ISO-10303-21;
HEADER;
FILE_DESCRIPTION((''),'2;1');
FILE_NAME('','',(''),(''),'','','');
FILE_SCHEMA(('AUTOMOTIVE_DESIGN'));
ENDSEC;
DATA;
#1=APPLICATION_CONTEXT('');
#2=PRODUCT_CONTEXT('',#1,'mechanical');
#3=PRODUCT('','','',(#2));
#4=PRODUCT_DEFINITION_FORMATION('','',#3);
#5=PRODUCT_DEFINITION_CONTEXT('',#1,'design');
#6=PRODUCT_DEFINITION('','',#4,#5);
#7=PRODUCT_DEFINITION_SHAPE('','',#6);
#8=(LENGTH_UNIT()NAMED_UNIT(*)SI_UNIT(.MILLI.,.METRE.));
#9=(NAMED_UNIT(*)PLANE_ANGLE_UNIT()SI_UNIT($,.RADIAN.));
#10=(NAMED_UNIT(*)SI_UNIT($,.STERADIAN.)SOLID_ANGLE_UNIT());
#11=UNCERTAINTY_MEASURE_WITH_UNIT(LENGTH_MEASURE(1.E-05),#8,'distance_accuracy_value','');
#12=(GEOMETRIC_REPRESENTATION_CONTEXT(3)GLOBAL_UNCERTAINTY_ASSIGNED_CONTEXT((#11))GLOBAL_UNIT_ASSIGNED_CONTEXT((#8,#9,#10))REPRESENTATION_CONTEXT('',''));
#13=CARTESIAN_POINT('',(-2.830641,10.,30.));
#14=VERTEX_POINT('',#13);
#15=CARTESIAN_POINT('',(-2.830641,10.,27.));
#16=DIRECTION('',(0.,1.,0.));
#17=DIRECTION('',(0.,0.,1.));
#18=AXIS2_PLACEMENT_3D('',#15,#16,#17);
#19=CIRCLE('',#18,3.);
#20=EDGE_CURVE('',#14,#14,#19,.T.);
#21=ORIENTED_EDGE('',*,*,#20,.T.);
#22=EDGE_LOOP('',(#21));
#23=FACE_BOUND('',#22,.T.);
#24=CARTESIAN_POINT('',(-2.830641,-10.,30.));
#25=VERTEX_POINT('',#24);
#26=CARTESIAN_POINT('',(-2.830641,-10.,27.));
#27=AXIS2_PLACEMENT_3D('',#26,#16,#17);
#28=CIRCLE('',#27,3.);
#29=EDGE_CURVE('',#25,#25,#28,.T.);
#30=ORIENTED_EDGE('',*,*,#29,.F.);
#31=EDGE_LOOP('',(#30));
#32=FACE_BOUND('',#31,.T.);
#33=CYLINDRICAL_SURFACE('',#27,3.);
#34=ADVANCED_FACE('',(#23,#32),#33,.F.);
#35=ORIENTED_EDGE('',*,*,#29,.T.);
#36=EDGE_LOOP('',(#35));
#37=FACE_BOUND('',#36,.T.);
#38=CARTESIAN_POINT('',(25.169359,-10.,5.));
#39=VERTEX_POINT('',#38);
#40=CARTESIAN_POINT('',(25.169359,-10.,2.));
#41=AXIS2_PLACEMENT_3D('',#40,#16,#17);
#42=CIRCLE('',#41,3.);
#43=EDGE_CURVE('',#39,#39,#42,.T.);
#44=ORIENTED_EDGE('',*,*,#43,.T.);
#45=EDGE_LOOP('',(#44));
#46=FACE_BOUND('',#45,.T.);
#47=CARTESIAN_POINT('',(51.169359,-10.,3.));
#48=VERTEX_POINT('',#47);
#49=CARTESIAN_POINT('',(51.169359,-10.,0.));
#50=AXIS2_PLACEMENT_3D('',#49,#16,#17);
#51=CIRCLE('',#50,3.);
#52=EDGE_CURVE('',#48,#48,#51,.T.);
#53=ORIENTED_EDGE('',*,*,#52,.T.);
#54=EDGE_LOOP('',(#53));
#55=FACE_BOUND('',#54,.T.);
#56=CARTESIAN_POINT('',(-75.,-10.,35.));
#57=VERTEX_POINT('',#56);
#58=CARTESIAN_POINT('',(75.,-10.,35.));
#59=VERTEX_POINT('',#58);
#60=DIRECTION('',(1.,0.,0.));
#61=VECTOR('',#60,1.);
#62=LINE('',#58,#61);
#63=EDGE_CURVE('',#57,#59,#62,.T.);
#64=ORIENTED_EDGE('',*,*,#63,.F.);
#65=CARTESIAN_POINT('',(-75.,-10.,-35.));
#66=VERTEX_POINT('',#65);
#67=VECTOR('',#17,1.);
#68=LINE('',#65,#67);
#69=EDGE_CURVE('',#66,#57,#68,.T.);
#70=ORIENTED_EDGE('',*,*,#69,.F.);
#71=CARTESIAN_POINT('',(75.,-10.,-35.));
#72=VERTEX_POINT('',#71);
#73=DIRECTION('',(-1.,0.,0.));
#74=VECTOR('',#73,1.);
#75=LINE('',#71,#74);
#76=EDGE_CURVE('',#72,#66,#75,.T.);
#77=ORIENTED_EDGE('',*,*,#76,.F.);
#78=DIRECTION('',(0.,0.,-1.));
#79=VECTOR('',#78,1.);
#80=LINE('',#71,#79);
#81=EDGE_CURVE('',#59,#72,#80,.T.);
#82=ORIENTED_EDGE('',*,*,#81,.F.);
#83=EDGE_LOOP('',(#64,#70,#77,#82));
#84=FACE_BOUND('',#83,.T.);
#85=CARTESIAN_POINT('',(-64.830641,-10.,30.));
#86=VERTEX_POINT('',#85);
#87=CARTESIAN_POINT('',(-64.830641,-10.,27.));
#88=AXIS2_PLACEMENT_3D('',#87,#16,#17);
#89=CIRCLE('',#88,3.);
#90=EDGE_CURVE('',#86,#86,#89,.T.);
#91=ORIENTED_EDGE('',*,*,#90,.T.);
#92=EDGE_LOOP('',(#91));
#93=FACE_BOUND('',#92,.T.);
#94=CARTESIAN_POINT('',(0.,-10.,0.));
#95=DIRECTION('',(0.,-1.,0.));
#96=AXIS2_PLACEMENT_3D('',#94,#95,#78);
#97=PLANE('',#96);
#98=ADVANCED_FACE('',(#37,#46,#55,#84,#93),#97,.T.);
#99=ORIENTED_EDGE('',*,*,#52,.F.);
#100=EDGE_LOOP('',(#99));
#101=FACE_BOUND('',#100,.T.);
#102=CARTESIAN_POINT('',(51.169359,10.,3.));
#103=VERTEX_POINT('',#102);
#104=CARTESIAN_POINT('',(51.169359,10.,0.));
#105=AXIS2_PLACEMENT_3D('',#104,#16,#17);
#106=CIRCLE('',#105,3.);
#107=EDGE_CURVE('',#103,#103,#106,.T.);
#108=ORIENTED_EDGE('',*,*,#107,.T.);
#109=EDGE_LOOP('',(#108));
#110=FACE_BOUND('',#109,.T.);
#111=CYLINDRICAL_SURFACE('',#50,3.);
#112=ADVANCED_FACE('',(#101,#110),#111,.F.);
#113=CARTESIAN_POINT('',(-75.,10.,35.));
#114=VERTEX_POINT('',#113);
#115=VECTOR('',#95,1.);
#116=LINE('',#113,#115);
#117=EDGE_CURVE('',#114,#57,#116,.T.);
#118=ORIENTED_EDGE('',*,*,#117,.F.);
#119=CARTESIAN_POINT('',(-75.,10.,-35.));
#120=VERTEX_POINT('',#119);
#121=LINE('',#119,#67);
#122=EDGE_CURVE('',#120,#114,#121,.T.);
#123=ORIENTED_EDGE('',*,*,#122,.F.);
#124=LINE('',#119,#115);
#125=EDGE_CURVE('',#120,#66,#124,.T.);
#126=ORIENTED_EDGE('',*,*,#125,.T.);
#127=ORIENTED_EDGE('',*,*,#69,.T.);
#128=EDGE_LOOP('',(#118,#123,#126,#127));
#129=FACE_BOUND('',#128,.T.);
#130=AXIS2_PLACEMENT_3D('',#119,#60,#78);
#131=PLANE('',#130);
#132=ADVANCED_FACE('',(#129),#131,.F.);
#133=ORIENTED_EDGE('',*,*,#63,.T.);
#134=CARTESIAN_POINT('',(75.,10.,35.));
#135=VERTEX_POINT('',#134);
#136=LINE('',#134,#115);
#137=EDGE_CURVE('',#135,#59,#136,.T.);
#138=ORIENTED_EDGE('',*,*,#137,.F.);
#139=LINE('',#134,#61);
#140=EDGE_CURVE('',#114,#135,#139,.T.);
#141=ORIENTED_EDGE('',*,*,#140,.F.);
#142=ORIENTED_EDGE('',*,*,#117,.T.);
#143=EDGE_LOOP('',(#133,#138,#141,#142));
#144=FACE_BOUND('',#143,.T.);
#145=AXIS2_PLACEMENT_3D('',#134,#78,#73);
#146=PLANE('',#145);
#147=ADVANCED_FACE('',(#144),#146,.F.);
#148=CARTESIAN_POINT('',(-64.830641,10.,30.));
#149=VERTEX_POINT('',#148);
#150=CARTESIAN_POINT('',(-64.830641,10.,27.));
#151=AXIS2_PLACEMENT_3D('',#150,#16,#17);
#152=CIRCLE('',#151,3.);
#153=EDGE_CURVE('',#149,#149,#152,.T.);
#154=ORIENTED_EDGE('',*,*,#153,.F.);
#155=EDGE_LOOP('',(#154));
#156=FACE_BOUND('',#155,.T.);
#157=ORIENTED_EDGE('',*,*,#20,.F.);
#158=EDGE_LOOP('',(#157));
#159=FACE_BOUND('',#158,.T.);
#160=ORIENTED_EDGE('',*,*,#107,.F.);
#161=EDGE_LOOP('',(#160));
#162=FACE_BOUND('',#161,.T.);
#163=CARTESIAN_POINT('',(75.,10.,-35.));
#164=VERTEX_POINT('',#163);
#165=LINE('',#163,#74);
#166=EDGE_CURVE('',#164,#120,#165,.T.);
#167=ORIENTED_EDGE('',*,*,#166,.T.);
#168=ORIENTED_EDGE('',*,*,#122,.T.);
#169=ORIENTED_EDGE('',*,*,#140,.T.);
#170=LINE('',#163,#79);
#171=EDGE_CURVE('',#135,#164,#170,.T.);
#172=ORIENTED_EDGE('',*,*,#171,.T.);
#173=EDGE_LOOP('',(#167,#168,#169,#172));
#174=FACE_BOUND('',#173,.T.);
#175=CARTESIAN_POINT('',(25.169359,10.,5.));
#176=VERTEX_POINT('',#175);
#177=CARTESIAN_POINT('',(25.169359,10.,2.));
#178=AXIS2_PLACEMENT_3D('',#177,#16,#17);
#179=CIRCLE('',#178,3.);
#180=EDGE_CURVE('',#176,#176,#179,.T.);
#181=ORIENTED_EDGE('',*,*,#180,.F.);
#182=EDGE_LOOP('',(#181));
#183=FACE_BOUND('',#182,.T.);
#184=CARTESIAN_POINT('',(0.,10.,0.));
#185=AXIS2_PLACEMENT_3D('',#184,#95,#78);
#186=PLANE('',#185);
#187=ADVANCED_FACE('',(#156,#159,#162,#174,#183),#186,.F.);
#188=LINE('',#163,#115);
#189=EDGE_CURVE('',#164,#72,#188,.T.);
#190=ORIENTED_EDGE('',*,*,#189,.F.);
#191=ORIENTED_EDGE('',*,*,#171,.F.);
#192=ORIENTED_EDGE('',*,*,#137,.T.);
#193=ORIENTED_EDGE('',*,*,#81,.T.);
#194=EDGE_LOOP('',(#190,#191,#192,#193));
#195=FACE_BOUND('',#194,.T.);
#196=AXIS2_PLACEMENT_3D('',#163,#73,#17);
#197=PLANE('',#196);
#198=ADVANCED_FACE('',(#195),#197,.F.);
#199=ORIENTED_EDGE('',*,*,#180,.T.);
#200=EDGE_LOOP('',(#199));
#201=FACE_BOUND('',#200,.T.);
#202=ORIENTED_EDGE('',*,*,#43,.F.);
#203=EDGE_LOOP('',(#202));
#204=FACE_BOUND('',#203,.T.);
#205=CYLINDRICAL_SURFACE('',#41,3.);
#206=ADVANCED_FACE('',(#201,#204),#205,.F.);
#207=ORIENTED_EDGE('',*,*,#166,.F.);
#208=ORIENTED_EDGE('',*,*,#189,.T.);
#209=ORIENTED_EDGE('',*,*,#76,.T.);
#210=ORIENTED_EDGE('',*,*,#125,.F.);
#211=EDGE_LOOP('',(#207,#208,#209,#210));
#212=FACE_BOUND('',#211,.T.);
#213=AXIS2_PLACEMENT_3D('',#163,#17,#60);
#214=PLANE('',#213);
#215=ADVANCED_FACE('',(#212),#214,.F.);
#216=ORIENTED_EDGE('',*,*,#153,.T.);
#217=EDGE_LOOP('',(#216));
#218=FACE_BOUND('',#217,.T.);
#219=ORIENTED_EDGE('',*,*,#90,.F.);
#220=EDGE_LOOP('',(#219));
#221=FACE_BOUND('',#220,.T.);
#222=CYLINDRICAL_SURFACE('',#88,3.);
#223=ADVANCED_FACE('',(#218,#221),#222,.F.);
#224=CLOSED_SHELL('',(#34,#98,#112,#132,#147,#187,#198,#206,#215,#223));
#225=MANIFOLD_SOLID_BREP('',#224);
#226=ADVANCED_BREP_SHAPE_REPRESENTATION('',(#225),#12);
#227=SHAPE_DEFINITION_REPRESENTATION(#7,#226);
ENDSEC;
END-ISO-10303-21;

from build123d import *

# Parameters (mm, degrees)
SKETCH1_W           = 150
SKETCH1_H           = 70
BOSS_EXTRUDE1_DEPTH = 10
SKETCH2_R           = 3
CUT_EXTRUDE1_DEPTH  = 86.14693183


with BuildPart() as part:
    # Sketch1 → Boss-Extrude1 (new, symmetric)
    with BuildSketch(Plane(origin=(0, 0, 0), x_dir=(1, 0, 0), z_dir=(0, 1, 0))):
        Rectangle(SKETCH1_W, SKETCH1_H)
    extrude(amount=BOSS_EXTRUDE1_DEPTH, both=True)

    # Sketch2 → Cut-Extrude1 (cut, through all)
    with BuildSketch(Plane(origin=(0, 10, 0), x_dir=(1, 0, 0), z_dir=(0, 1, 0))):
        with Locations(Location((-64.830640928, -27, 0), (0, 0, 270))):
            Circle(SKETCH2_R)
        with Locations(Location((-2.830640928, -27, 0), (0, 0, 270))):
            Circle(SKETCH2_R)
        with Locations(Location((25.169359072, -2, 0), (0, 0, 270))):
            Circle(SKETCH2_R)
        with Locations(Location((51.169359072, 0, 0), (0, 0, 270))):
            Circle(SKETCH2_R)
    extrude(amount=-CUT_EXTRUDE1_DEPTH, mode=Mode.SUBTRACT)


solid = part.part
